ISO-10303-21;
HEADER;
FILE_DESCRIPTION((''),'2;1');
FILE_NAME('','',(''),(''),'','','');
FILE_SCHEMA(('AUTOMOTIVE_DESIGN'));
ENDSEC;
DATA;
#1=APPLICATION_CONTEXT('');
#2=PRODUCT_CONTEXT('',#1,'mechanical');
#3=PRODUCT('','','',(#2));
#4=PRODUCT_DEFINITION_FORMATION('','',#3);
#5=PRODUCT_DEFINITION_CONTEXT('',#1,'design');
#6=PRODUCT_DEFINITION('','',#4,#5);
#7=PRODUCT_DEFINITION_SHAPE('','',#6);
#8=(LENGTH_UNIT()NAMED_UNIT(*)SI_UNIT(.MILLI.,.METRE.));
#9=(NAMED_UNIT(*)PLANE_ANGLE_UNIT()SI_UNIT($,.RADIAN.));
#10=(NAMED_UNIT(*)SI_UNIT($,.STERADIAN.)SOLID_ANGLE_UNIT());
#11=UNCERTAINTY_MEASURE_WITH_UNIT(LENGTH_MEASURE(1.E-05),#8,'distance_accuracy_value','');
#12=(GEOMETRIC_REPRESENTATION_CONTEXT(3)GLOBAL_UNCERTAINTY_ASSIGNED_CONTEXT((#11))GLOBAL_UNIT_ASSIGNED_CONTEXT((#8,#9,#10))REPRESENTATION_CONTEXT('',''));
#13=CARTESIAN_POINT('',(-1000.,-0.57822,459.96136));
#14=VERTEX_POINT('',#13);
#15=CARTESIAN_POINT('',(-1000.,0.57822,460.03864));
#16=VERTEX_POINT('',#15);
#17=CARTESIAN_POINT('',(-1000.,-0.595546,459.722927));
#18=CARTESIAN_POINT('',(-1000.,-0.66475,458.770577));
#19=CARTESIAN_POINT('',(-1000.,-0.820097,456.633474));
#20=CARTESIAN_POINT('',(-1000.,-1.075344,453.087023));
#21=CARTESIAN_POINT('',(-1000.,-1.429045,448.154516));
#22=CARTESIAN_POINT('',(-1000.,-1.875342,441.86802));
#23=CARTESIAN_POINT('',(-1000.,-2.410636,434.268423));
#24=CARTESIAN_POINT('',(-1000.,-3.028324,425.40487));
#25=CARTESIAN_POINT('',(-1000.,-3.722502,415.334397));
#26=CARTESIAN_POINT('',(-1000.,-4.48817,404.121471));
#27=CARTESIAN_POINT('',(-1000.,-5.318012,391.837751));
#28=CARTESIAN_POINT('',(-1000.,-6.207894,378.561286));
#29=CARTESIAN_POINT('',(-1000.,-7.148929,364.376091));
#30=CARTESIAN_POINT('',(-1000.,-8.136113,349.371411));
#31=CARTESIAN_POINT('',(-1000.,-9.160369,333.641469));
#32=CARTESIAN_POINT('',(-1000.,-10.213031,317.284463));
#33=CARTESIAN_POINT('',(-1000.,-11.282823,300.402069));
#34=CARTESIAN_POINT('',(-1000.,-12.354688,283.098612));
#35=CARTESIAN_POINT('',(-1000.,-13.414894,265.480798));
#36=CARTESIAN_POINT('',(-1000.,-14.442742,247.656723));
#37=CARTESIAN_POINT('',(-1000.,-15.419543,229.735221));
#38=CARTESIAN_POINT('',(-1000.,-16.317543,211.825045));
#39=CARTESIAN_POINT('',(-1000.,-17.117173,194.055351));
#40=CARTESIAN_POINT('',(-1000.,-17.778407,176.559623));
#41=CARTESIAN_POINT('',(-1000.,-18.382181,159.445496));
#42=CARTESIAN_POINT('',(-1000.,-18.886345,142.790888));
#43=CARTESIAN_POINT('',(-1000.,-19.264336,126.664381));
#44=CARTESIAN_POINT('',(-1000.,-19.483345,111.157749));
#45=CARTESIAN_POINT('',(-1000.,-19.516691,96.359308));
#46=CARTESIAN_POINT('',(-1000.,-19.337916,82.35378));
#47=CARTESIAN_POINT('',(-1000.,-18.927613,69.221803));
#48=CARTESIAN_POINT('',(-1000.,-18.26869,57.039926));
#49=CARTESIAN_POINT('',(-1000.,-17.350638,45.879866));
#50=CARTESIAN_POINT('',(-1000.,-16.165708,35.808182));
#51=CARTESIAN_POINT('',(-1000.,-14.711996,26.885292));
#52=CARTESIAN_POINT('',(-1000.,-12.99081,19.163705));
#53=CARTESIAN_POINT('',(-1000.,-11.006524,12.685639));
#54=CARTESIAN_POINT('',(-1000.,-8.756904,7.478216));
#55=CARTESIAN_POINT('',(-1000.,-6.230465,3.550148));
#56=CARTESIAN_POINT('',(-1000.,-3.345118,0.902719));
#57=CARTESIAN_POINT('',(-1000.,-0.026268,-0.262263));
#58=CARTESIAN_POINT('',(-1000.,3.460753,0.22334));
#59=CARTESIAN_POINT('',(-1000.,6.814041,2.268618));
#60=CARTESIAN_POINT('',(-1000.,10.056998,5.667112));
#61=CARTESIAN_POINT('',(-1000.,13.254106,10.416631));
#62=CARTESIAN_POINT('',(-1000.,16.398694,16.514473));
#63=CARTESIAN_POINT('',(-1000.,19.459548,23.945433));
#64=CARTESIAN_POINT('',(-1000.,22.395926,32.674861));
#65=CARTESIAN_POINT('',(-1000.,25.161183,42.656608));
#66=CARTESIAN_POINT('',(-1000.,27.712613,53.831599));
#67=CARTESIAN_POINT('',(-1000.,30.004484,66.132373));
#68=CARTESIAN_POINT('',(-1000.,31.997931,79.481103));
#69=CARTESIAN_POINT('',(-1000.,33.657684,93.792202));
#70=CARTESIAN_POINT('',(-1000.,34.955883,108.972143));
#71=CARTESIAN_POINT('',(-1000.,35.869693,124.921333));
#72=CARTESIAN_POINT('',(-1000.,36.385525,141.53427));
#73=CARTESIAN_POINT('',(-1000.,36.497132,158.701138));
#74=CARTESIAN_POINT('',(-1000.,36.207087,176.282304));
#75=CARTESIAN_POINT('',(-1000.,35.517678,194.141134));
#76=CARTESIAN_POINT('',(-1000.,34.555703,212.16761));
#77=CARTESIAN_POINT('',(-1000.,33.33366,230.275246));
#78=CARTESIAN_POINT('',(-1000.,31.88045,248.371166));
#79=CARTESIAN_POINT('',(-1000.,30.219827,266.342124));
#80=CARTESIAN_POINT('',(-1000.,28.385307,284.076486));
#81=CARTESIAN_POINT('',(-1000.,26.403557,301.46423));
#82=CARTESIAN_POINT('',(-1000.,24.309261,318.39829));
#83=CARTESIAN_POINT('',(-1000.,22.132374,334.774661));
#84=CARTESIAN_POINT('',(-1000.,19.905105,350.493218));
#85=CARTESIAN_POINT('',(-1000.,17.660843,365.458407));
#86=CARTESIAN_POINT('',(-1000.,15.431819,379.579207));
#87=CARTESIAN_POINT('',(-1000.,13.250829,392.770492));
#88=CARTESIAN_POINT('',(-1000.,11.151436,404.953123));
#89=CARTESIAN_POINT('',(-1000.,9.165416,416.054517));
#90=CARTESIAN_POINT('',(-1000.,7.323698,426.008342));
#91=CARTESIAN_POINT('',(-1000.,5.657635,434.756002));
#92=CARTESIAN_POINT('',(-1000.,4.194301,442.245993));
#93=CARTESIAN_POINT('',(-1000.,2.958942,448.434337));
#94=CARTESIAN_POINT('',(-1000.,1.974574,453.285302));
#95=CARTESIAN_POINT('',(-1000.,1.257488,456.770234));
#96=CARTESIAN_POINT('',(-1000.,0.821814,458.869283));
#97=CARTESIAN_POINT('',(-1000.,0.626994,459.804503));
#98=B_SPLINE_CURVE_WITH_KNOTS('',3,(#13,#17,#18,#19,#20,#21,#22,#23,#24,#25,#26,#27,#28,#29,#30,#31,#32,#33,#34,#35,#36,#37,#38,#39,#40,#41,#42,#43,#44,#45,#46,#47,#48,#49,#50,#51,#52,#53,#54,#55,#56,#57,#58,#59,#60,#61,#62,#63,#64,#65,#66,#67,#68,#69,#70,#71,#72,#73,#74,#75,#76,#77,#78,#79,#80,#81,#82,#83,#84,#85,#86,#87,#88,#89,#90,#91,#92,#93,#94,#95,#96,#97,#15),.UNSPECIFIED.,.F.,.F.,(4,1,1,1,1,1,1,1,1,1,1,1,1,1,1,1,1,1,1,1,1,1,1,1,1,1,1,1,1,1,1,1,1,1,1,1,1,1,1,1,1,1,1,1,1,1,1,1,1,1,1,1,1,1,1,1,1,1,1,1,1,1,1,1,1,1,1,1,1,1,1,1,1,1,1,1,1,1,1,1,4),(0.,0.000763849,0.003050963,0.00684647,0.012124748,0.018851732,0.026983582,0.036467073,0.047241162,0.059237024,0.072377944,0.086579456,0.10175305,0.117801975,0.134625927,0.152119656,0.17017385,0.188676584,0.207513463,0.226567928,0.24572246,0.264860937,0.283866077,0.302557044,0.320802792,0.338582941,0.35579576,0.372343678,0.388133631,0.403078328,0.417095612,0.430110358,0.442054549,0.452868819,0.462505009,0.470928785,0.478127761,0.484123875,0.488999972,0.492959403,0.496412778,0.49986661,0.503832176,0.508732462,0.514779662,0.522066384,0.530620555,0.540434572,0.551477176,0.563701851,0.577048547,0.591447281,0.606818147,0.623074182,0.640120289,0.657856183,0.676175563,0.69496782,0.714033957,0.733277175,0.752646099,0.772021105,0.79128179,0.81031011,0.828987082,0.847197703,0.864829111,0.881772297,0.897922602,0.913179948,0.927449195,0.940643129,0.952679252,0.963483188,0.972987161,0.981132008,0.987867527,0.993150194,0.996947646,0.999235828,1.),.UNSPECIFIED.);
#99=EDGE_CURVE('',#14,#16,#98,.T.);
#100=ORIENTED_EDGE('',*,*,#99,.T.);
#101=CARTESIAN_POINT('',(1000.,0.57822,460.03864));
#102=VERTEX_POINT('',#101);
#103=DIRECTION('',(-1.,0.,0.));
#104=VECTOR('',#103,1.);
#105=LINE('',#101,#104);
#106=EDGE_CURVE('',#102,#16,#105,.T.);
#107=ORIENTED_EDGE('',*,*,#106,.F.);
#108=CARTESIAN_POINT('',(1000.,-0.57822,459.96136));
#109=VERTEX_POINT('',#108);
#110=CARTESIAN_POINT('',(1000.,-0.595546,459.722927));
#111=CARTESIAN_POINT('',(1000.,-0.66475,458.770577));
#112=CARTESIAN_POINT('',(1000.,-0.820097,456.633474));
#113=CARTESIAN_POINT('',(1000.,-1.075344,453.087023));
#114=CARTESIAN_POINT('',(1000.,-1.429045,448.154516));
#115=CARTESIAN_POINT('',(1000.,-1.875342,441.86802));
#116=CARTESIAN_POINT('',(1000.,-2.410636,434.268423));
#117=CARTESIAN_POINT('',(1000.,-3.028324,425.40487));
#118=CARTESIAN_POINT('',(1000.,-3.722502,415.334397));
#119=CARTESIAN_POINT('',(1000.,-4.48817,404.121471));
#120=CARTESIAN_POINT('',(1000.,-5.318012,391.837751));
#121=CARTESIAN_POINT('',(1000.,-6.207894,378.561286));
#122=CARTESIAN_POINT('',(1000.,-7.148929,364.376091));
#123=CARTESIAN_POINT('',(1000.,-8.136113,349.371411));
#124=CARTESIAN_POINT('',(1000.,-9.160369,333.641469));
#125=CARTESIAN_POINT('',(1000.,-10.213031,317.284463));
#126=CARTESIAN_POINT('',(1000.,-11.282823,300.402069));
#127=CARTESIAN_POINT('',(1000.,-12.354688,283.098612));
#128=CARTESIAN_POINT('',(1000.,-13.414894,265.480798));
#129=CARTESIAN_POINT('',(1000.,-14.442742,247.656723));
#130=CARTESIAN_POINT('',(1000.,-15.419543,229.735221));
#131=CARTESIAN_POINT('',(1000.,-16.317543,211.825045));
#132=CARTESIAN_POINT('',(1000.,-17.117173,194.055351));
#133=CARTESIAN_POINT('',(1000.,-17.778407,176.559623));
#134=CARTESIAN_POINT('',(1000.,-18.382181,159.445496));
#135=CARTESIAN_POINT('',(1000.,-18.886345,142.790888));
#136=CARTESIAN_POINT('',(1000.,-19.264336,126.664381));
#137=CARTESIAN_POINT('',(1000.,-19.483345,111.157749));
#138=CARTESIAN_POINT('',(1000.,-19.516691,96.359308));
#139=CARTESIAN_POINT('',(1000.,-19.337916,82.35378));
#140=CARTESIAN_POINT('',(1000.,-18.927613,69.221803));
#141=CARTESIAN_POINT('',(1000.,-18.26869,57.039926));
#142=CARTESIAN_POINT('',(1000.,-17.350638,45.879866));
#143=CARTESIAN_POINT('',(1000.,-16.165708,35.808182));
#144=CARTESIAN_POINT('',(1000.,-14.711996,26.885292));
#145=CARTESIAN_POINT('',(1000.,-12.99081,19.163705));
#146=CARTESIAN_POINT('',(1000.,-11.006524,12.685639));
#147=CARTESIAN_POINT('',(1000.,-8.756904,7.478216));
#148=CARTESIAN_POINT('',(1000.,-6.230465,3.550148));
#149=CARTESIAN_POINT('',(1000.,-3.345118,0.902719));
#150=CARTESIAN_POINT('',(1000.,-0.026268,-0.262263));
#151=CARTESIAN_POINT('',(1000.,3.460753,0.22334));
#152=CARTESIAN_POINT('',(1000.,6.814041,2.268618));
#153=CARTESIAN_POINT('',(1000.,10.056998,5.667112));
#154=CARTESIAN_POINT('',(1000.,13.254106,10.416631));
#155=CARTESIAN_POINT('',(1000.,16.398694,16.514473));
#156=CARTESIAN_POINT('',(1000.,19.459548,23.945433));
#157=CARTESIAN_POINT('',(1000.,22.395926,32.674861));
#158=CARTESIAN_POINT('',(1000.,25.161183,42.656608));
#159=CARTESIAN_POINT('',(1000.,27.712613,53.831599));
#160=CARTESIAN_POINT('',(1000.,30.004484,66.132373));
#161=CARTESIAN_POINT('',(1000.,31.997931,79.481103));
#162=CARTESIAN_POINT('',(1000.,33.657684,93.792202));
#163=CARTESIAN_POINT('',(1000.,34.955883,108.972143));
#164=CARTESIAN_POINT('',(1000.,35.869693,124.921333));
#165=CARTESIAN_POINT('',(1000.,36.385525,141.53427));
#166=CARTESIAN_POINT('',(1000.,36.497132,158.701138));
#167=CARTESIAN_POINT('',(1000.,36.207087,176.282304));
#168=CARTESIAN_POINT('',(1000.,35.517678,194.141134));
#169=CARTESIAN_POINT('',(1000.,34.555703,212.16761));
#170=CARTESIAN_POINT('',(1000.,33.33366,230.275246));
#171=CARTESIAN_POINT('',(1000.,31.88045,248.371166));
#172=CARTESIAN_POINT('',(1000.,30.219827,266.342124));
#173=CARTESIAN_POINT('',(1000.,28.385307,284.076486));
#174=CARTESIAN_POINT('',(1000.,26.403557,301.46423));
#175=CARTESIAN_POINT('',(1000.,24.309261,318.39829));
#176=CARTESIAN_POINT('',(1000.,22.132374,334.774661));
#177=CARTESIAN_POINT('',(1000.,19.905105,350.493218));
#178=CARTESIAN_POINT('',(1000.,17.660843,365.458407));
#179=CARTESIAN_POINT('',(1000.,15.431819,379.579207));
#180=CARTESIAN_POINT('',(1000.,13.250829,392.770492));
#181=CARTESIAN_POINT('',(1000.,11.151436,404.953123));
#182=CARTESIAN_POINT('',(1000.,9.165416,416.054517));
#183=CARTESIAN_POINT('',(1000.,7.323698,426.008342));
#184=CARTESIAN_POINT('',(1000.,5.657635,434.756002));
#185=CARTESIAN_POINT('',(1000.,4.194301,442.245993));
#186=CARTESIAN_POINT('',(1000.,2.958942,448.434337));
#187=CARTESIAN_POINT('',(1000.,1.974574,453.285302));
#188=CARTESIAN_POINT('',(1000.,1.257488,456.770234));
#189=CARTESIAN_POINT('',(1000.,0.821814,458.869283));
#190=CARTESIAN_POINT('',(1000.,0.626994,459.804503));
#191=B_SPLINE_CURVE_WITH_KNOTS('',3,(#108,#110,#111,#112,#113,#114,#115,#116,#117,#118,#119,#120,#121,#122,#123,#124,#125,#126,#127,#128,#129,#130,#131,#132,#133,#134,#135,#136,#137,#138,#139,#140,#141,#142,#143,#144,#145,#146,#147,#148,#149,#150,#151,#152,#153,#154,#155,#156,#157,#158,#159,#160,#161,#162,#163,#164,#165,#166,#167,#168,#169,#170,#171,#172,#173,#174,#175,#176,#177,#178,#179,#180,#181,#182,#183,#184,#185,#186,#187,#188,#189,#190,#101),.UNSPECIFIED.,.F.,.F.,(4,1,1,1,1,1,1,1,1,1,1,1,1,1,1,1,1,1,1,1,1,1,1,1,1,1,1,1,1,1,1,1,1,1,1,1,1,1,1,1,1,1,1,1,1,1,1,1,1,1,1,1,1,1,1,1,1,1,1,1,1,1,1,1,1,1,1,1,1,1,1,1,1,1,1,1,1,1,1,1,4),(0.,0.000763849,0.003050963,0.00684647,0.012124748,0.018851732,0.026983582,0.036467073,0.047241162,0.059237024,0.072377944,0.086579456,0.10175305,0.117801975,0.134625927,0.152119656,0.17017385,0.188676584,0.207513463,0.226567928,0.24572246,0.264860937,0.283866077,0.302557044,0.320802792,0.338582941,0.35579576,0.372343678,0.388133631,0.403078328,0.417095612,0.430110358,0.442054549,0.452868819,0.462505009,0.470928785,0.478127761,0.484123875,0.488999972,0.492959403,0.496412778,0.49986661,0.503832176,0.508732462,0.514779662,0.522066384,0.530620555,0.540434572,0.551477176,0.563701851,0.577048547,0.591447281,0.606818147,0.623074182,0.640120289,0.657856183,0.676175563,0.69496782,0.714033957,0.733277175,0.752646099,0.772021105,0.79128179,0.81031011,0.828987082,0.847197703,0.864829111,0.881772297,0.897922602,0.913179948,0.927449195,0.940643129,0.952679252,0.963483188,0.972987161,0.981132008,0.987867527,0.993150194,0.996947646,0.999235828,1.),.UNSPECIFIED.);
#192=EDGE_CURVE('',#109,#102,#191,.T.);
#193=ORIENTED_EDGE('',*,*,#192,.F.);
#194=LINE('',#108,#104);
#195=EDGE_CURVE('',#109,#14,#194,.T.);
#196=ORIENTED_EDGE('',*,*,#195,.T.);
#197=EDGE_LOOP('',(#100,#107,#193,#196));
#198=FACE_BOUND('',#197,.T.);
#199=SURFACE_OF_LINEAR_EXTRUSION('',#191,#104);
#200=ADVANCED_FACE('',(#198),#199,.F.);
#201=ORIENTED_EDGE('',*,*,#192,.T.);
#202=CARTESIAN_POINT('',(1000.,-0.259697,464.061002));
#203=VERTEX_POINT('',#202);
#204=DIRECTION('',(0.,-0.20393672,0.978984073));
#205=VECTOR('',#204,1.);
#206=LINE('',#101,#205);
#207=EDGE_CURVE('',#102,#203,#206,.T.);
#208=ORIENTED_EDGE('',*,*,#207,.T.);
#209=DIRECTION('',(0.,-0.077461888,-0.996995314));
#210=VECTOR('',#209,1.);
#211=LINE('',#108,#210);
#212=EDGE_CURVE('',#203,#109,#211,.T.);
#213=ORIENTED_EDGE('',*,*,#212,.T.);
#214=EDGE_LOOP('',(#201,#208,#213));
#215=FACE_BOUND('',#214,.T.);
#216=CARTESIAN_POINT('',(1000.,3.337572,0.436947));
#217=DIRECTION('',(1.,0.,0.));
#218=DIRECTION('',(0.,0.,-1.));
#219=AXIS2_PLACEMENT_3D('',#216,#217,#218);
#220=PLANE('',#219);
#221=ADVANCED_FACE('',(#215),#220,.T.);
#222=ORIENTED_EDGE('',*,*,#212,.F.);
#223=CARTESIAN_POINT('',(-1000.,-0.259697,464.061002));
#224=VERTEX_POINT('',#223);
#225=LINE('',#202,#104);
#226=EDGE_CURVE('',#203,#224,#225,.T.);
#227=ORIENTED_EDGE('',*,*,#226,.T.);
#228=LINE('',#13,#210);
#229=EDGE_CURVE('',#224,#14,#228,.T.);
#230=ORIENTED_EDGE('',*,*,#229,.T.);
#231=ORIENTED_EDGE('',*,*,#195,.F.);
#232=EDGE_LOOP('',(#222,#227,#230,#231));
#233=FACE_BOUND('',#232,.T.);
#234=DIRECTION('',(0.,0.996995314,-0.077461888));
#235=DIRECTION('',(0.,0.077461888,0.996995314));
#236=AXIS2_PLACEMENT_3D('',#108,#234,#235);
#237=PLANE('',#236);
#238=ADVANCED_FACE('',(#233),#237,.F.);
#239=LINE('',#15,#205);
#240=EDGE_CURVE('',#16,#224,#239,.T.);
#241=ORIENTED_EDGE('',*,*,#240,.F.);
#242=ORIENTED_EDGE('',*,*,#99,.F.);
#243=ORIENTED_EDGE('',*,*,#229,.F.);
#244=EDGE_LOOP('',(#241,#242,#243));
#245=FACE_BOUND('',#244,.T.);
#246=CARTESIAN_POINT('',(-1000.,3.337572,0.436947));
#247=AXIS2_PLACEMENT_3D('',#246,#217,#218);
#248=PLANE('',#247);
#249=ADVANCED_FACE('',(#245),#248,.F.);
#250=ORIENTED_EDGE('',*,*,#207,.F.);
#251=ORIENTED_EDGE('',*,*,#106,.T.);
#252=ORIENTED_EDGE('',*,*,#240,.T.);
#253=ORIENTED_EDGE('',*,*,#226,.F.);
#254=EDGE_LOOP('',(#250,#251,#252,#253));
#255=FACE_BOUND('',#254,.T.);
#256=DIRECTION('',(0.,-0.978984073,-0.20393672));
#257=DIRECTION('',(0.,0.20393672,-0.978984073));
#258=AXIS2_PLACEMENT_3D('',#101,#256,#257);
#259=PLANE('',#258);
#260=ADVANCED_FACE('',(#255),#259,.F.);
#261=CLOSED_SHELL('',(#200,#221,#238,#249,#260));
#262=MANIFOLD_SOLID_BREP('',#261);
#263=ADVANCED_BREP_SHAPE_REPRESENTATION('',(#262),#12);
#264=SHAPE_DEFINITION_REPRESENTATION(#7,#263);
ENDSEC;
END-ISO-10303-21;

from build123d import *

# Parameters (mm, degrees)
BOSS_EXTRUDE1_DEPTH = 1000


with BuildPart() as part:
    # Sketch4 → Boss-Extrude1 (new body, symmetric)
    with BuildSketch(Plane(origin=(0, 0, 0), x_dir=(0, 0, -1), z_dir=(1, 0, 0))):
        with BuildLine():
            Line((-460.03864, 0.57822), (-464.061002051, -0.259696924))
            Line((-464.061002051, -0.259696924), (-459.96136, -0.57822))
            add(Edge.make_bspline(
                [(-460.03864, 0.57822), (-459.804502952, 0.626994176), (-458.869283275, 0.821814131), (-456.770234003, 1.257488102), (-453.285301887, 1.974574051), (-448.434337026, 2.958941866), (-442.24599338, 4.194300673), (-434.75600228, 5.65763481), (-426.008341953, 7.323698371), (-416.054516582, 9.165416058), (-404.953123159, 11.151436099), (-392.770491909, 13.250829114), (-379.579206865, 15.431819212), (-365.458406813, 17.660843075), (-350.493218457, 19.90510515), (-334.774661072, 22.132373857), (-318.39829014, 24.309261206), (-301.464229531, 26.403557407), (-284.076486433, 28.38530685), (-266.342124235, 30.219827139), (-248.371165836, 31.880450429), (-230.275245946, 33.333659787), (-212.167609701, 34.555703307), (-194.14113377, 35.517678069), (-176.282304318, 36.207087085), (-158.701138059, 36.49713223), (-141.534269902, 36.385525064), (-124.921332834, 35.869692938), (-108.972143147, 34.95588337), (-93.792202098, 33.657684246), (-79.481103225, 31.997931357), (-66.132373485, 30.004483538), (-53.831599057, 27.712613416), (-42.65660762, 25.161183198), (-32.674860802, 22.395925834), (-23.945432651, 19.459548047), (-16.514472954, 16.398694071), (-10.416631234, 13.254106027), (-5.667111603, 10.056997637), (-2.268617609, 6.814040686), (-0.223340444, 3.460752783), (0.262262833, -0.026267921), (-0.902718938, -3.345117856), (-3.550148024, -6.230464989), (-7.478215909, -8.75690384), (-12.685639332, -11.006524327), (-19.163705269, -12.990809583), (-26.885292194, -14.711996286), (-35.808181999, -16.165707734), (-45.879865713, -17.350638105), (-57.039926144, -18.268690236), (-69.221803068, -18.927613299), (-82.353779507, -19.33791586), (-96.359307858, -19.516691241), (-111.157748759, -19.483345151), (-126.664381158, -19.264335817), (-142.790888208, -18.886345318), (-159.445496034, -18.382180637), (-176.559622724, -17.778407046), (-194.055351039, -17.117172917), (-211.825044665, -16.31754337), (-229.735221004, -15.419542985), (-247.656722582, -14.44274166), (-265.480797864, -13.414893843), (-283.098611655, -12.354687974), (-300.402068621, -11.282823043), (-317.284462612, -10.213031314), (-333.641469008, -9.160369319), (-349.371410608, -8.136112525), (-364.376091402, -7.148929444), (-378.561285931, -6.207894269), (-391.83775108, -5.318012265), (-404.121471111, -4.488169814), (-415.334397245, -3.722501591), (-425.404870433, -3.028324144), (-434.26842329, -2.410636148), (-441.868019552, -1.8753416), (-448.15451643, -1.429044859), (-453.087022947, -1.075343915), (-456.633473905, -0.820097256), (-458.770577001, -0.664750447), (-459.722926634, -0.595546201), (-459.96136, -0.57822)],
                knots=[0, 0, 0, 0, 0.000764172, 0.003052354, 0.006849806, 0.012132473, 0.018867992, 0.027012839, 0.036516812, 0.047320748, 0.059356871, 0.072550805, 0.086820052, 0.102077398, 0.118227703, 0.135170889, 0.152802297, 0.171012918, 0.18968989, 0.20871821, 0.227978895, 0.247353901, 0.266722825, 0.285966043, 0.30503218, 0.323824437, 0.342143817, 0.359879711, 0.376925818, 0.393181853, 0.408552719, 0.422951453, 0.436298149, 0.448522824, 0.459565428, 0.469379445, 0.477933616, 0.485220338, 0.491267538, 0.496167824, 0.50013339, 0.503587222, 0.507040597, 0.511000028, 0.515876125, 0.521872239, 0.529071215, 0.537494991, 0.547131181, 0.557945451, 0.569889642, 0.582904388, 0.596921672, 0.611866369, 0.627656322, 0.64420424, 0.661417059, 0.679197208, 0.697442956, 0.716133923, 0.735139063, 0.75427754, 0.773432072, 0.792486537, 0.811323416, 0.82982615, 0.847880344, 0.865374073, 0.882198025, 0.89824695, 0.913420544, 0.927622056, 0.940762976, 0.952758838, 0.963532927, 0.973016418, 0.981148268, 0.987875252, 0.99315353, 0.996949037, 0.999236151, 1, 1, 1, 1], degree=3))
        make_face()
    extrude(amount=BOSS_EXTRUDE1_DEPTH, both=True)


solid = part.part
